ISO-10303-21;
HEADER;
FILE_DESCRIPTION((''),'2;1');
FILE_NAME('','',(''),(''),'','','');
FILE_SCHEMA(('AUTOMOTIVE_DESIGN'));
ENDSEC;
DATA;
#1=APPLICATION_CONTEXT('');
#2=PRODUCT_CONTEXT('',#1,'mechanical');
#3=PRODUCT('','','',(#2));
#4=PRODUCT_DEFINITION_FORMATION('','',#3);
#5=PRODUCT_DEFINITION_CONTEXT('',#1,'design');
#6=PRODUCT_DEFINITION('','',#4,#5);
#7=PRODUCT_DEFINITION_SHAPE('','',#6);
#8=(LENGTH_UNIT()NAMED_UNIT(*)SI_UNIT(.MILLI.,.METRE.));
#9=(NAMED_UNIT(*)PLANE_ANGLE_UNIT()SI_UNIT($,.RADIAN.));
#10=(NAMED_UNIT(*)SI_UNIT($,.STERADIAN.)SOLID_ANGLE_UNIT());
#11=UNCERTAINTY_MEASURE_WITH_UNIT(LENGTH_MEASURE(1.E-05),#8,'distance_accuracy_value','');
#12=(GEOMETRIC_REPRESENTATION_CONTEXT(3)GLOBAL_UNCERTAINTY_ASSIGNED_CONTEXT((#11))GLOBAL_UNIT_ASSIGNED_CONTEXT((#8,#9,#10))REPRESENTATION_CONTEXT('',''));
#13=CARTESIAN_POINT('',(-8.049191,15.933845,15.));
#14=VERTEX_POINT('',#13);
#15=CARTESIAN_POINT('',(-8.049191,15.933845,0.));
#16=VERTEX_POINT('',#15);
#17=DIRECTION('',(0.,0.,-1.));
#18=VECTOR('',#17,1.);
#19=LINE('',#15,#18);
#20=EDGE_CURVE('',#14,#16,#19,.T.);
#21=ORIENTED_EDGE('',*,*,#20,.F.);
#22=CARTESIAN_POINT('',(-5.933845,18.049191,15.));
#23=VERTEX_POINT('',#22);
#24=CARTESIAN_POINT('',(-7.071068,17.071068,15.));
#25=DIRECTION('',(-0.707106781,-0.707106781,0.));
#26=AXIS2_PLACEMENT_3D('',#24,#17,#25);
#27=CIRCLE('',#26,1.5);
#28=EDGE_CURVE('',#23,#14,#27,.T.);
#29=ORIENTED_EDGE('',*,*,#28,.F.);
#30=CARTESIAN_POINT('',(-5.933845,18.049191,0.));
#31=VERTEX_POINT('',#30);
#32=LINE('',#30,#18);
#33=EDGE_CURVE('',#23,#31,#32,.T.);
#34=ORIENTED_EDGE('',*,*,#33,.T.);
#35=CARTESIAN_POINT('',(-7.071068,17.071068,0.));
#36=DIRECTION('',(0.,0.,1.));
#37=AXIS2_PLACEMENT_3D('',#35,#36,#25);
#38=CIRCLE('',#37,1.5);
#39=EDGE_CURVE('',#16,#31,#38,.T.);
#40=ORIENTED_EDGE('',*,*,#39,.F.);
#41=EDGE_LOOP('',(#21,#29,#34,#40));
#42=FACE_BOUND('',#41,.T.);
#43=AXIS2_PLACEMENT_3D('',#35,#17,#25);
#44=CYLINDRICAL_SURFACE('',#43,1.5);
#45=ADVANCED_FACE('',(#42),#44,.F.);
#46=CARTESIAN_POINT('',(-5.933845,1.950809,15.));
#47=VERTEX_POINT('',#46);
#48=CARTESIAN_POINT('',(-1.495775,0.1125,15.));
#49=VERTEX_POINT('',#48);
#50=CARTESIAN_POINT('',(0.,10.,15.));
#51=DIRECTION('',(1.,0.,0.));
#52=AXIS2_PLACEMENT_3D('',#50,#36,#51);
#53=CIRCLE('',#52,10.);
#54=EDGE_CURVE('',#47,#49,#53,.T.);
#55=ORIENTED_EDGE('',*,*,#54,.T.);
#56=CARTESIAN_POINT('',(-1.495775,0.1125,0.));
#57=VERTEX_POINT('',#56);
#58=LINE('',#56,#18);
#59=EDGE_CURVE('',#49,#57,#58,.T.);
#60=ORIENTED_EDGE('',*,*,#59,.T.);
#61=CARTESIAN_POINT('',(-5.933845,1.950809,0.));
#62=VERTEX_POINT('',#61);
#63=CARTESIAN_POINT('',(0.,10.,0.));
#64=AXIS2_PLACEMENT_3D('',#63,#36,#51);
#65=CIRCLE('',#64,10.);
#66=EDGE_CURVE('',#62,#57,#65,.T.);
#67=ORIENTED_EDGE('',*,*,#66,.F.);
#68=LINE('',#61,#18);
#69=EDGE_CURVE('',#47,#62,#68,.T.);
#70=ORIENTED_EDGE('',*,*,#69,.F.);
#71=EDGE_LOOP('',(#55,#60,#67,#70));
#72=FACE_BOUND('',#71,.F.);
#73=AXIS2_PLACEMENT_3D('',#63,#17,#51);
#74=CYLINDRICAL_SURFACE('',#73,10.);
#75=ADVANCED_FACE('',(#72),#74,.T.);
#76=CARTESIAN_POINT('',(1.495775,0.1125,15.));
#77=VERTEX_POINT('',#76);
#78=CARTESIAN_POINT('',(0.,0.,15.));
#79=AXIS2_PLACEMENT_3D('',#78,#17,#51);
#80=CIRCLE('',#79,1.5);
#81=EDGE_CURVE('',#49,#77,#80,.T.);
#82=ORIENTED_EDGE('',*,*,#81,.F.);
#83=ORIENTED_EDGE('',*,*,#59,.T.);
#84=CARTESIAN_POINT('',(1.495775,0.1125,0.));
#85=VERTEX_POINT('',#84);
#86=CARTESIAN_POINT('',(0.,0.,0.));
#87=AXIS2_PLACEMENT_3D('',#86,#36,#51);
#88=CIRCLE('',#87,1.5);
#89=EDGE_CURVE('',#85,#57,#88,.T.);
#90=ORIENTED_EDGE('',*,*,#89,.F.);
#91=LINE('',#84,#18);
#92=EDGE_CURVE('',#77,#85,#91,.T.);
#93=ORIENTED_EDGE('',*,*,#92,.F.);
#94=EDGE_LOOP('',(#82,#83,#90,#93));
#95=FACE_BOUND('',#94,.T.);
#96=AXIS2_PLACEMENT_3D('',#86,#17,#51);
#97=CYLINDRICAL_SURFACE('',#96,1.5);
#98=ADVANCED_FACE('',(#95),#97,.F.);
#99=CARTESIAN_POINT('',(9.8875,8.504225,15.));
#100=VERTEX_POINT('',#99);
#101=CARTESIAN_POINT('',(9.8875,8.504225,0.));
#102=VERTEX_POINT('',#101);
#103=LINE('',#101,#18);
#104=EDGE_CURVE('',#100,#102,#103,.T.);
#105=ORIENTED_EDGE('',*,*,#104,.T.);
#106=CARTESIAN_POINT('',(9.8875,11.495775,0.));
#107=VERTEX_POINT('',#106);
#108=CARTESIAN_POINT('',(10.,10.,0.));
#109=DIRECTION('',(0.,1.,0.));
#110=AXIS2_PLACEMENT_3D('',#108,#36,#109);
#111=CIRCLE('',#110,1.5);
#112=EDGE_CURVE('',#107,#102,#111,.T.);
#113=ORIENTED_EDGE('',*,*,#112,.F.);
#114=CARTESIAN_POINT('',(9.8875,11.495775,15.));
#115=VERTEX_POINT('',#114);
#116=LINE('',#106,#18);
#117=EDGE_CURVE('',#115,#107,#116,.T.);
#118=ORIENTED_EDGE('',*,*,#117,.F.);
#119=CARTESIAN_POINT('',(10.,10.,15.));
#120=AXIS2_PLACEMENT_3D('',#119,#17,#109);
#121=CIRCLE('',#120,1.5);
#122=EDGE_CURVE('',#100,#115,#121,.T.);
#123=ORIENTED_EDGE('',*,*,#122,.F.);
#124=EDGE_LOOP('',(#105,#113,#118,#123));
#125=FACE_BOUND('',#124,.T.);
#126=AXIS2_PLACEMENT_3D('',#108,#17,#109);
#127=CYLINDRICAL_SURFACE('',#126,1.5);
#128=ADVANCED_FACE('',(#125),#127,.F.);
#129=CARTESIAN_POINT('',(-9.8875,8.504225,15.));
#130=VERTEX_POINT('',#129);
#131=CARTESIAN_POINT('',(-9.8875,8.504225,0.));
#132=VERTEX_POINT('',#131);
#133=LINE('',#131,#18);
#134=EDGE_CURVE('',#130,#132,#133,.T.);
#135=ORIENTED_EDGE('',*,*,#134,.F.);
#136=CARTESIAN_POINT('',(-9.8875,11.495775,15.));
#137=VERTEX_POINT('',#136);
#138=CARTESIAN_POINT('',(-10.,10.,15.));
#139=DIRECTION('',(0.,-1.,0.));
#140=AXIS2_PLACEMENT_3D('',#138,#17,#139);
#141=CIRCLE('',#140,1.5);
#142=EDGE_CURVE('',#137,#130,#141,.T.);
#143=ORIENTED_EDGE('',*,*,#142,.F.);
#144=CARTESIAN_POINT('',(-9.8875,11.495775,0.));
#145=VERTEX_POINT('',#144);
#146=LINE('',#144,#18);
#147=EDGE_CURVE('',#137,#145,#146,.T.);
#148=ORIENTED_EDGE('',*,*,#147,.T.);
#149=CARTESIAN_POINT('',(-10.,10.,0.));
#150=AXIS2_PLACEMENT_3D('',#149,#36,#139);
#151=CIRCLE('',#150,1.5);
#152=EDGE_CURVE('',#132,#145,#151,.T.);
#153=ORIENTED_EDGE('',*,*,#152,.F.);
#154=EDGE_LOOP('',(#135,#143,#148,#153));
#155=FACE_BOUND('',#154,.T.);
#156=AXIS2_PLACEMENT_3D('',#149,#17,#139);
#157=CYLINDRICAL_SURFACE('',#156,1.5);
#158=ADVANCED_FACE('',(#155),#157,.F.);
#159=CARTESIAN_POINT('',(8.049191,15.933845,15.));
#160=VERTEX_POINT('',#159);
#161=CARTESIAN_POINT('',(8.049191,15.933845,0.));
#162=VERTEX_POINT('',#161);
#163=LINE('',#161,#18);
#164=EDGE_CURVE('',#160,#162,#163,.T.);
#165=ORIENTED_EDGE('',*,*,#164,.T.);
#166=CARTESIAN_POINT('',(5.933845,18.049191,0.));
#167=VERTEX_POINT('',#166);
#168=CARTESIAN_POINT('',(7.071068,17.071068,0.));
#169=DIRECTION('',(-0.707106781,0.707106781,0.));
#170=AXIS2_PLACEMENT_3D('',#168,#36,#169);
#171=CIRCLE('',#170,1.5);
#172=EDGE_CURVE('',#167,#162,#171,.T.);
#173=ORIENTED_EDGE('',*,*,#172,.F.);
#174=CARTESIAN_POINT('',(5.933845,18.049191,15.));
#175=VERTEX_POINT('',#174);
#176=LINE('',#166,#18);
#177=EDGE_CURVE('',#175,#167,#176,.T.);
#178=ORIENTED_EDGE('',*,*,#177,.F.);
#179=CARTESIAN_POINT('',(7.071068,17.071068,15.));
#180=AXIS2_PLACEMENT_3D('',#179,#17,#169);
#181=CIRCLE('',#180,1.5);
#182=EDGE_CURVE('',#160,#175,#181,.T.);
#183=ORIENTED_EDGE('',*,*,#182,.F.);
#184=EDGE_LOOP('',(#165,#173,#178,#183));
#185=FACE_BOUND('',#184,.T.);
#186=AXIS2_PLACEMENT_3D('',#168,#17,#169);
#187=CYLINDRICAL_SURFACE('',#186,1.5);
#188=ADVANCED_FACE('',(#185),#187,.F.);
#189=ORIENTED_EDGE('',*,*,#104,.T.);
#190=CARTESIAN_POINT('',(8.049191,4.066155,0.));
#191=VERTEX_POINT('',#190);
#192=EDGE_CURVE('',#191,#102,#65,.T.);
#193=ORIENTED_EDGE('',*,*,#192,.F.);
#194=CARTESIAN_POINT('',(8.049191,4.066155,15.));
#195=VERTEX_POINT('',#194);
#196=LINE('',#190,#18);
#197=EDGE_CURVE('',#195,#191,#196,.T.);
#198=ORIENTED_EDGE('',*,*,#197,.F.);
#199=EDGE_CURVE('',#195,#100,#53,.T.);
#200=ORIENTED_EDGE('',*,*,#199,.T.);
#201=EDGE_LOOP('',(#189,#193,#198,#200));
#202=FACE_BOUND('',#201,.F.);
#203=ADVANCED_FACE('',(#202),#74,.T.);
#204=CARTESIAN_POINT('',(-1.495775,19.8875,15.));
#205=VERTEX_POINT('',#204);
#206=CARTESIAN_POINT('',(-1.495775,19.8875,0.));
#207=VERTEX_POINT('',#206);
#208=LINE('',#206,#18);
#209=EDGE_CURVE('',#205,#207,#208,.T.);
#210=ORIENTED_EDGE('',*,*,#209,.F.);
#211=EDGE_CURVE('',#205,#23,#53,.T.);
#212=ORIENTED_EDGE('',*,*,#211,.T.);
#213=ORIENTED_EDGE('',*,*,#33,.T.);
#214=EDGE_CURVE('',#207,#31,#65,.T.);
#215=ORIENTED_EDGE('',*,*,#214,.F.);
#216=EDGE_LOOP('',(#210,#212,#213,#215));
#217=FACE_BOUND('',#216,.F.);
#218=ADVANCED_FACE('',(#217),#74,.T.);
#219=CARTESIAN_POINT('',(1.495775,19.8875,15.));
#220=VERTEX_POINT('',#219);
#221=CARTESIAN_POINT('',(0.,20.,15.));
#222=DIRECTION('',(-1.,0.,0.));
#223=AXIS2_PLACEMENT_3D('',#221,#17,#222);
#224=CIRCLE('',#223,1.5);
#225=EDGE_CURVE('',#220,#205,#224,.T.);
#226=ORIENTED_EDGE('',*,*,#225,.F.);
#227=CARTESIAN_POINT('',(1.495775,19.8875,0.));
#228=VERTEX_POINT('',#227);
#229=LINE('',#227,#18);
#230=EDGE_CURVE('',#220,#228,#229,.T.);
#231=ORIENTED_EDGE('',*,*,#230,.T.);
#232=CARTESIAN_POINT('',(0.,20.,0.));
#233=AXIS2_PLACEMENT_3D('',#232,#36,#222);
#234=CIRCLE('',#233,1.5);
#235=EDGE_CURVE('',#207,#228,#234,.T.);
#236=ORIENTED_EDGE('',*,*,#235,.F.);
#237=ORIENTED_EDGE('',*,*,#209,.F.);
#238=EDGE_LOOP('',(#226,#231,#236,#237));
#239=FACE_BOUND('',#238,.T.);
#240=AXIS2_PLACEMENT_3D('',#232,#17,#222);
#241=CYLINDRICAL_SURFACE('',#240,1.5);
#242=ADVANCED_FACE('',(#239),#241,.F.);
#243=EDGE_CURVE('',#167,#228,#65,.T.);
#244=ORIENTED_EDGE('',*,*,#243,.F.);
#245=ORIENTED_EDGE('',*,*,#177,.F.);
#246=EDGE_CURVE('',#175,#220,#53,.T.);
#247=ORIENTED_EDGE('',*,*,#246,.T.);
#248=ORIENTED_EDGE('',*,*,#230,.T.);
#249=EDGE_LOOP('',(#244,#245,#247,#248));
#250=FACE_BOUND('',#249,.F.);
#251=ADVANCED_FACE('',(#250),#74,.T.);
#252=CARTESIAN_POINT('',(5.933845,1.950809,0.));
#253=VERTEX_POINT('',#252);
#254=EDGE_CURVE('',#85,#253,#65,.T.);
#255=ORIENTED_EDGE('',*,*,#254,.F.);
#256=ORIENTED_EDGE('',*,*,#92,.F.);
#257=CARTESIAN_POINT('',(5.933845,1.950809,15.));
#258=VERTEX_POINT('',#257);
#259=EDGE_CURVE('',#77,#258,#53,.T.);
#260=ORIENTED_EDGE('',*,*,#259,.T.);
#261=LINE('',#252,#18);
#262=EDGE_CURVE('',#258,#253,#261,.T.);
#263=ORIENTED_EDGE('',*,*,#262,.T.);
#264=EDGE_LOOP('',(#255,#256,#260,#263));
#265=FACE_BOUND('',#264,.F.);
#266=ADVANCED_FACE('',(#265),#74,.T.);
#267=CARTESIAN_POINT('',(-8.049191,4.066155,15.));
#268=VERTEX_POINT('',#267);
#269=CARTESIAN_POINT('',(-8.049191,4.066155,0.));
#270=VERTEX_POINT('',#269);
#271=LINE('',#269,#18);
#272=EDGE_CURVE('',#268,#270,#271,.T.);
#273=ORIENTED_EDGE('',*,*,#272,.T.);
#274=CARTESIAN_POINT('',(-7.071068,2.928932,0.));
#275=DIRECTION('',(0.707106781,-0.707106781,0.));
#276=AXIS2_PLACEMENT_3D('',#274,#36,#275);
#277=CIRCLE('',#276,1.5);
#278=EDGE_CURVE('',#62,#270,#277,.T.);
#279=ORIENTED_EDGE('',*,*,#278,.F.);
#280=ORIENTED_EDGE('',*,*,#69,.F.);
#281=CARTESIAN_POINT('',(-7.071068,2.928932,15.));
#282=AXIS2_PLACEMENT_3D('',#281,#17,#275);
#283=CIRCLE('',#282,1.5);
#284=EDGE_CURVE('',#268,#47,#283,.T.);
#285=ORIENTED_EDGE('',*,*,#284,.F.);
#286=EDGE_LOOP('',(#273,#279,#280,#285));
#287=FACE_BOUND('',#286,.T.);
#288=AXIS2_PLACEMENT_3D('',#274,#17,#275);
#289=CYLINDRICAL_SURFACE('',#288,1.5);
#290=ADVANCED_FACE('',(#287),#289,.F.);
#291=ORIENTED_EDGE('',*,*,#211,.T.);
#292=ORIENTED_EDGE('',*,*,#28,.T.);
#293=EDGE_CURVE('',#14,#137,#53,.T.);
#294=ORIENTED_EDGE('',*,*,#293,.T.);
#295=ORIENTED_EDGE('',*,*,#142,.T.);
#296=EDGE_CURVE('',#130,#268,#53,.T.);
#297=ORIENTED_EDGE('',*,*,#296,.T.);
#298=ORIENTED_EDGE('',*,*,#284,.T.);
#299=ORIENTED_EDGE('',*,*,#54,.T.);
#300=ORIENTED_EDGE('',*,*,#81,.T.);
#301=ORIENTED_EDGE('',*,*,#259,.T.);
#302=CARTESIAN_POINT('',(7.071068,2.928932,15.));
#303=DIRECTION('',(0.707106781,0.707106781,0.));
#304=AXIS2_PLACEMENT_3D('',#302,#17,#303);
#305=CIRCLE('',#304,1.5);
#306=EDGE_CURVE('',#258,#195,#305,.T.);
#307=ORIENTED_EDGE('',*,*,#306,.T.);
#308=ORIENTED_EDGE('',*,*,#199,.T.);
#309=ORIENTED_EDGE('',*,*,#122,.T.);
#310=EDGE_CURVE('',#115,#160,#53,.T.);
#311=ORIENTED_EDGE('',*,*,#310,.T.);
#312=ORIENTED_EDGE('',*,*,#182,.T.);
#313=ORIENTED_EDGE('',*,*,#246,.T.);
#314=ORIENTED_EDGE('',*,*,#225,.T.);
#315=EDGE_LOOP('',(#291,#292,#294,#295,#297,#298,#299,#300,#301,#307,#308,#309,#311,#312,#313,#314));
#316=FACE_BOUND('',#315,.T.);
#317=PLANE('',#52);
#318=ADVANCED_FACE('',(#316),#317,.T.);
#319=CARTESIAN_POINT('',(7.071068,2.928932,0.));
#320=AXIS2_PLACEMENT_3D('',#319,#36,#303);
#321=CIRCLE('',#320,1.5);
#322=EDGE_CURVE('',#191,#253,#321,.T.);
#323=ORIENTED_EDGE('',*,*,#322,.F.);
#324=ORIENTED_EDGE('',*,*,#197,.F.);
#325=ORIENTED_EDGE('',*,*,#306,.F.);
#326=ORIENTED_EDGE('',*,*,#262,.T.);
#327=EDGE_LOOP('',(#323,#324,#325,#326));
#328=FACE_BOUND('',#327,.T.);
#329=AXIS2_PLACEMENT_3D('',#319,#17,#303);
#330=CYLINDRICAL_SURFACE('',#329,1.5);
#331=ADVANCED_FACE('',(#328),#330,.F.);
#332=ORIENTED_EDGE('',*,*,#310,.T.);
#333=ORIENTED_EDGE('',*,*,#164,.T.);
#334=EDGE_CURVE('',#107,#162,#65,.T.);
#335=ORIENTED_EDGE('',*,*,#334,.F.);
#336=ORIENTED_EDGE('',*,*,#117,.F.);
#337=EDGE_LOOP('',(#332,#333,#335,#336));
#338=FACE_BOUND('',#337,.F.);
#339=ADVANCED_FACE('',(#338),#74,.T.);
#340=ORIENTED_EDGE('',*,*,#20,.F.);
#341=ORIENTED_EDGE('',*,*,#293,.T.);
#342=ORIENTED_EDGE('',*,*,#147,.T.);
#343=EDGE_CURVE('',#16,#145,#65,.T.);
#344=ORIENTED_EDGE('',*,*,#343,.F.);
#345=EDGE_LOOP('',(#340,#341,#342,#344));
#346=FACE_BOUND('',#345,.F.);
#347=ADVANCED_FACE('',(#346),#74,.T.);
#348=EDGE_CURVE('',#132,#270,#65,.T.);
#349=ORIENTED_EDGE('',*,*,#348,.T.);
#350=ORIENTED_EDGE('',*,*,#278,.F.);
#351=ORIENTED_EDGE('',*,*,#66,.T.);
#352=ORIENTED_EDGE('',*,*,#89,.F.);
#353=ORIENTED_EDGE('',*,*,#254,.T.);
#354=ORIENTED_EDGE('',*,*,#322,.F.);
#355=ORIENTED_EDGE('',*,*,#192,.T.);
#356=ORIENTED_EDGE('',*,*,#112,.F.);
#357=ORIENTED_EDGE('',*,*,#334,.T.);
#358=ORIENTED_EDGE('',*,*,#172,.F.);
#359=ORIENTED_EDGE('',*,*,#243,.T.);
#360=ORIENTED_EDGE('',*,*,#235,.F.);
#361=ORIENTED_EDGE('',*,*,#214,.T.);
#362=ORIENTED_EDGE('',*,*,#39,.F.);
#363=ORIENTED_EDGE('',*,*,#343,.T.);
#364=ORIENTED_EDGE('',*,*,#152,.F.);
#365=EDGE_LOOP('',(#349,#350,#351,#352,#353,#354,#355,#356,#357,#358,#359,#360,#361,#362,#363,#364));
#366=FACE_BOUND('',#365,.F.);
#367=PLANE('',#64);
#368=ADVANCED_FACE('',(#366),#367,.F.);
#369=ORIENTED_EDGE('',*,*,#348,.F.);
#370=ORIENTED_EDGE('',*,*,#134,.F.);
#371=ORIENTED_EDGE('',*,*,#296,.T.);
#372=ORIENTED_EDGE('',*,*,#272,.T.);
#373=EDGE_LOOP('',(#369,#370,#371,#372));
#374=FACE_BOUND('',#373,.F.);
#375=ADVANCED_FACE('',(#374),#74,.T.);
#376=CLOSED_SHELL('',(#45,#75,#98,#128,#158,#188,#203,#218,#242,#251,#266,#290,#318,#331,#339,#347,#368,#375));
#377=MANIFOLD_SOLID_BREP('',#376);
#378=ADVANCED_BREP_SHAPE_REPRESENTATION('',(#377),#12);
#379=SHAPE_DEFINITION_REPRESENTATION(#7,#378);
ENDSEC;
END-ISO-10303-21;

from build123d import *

# Parameters (mm, degrees)
CYLINDER001_R     = 1.5
CYLINDER001_DEPTH = 40
ARRAY_COUNT       = 8
CYLINDER_R        = 10
CYLINDER_DEPTH    = 15


with BuildPart() as array:
    # Cylinder001 → Cylinder001 (new body)
    with BuildSketch(Plane.XY):
        Circle(CYLINDER001_R)
    extrude(amount=CYLINDER001_DEPTH)

    # Array: Array ×8 about axis
    array_axis = Axis((0, 10, 0), (0, 0, 1))


with BuildPart() as array_1:
    add(array.part)
    for i in range(1, ARRAY_COUNT):
        add(array.part.rotate(array_axis, i * 360 / ARRAY_COUNT))


with BuildPart() as cut:
    # Cylinder → Cylinder (new body)
    with BuildSketch(Plane(origin=(0, 10, 0), x_dir=(1, 0, 0), z_dir=(0, 0, 1))):
        Circle(CYLINDER_R)
    extrude(amount=CYLINDER_DEPTH)

    # Cut: cut Array
    add(array_1.part, mode=Mode.SUBTRACT)


solid = cut.part
